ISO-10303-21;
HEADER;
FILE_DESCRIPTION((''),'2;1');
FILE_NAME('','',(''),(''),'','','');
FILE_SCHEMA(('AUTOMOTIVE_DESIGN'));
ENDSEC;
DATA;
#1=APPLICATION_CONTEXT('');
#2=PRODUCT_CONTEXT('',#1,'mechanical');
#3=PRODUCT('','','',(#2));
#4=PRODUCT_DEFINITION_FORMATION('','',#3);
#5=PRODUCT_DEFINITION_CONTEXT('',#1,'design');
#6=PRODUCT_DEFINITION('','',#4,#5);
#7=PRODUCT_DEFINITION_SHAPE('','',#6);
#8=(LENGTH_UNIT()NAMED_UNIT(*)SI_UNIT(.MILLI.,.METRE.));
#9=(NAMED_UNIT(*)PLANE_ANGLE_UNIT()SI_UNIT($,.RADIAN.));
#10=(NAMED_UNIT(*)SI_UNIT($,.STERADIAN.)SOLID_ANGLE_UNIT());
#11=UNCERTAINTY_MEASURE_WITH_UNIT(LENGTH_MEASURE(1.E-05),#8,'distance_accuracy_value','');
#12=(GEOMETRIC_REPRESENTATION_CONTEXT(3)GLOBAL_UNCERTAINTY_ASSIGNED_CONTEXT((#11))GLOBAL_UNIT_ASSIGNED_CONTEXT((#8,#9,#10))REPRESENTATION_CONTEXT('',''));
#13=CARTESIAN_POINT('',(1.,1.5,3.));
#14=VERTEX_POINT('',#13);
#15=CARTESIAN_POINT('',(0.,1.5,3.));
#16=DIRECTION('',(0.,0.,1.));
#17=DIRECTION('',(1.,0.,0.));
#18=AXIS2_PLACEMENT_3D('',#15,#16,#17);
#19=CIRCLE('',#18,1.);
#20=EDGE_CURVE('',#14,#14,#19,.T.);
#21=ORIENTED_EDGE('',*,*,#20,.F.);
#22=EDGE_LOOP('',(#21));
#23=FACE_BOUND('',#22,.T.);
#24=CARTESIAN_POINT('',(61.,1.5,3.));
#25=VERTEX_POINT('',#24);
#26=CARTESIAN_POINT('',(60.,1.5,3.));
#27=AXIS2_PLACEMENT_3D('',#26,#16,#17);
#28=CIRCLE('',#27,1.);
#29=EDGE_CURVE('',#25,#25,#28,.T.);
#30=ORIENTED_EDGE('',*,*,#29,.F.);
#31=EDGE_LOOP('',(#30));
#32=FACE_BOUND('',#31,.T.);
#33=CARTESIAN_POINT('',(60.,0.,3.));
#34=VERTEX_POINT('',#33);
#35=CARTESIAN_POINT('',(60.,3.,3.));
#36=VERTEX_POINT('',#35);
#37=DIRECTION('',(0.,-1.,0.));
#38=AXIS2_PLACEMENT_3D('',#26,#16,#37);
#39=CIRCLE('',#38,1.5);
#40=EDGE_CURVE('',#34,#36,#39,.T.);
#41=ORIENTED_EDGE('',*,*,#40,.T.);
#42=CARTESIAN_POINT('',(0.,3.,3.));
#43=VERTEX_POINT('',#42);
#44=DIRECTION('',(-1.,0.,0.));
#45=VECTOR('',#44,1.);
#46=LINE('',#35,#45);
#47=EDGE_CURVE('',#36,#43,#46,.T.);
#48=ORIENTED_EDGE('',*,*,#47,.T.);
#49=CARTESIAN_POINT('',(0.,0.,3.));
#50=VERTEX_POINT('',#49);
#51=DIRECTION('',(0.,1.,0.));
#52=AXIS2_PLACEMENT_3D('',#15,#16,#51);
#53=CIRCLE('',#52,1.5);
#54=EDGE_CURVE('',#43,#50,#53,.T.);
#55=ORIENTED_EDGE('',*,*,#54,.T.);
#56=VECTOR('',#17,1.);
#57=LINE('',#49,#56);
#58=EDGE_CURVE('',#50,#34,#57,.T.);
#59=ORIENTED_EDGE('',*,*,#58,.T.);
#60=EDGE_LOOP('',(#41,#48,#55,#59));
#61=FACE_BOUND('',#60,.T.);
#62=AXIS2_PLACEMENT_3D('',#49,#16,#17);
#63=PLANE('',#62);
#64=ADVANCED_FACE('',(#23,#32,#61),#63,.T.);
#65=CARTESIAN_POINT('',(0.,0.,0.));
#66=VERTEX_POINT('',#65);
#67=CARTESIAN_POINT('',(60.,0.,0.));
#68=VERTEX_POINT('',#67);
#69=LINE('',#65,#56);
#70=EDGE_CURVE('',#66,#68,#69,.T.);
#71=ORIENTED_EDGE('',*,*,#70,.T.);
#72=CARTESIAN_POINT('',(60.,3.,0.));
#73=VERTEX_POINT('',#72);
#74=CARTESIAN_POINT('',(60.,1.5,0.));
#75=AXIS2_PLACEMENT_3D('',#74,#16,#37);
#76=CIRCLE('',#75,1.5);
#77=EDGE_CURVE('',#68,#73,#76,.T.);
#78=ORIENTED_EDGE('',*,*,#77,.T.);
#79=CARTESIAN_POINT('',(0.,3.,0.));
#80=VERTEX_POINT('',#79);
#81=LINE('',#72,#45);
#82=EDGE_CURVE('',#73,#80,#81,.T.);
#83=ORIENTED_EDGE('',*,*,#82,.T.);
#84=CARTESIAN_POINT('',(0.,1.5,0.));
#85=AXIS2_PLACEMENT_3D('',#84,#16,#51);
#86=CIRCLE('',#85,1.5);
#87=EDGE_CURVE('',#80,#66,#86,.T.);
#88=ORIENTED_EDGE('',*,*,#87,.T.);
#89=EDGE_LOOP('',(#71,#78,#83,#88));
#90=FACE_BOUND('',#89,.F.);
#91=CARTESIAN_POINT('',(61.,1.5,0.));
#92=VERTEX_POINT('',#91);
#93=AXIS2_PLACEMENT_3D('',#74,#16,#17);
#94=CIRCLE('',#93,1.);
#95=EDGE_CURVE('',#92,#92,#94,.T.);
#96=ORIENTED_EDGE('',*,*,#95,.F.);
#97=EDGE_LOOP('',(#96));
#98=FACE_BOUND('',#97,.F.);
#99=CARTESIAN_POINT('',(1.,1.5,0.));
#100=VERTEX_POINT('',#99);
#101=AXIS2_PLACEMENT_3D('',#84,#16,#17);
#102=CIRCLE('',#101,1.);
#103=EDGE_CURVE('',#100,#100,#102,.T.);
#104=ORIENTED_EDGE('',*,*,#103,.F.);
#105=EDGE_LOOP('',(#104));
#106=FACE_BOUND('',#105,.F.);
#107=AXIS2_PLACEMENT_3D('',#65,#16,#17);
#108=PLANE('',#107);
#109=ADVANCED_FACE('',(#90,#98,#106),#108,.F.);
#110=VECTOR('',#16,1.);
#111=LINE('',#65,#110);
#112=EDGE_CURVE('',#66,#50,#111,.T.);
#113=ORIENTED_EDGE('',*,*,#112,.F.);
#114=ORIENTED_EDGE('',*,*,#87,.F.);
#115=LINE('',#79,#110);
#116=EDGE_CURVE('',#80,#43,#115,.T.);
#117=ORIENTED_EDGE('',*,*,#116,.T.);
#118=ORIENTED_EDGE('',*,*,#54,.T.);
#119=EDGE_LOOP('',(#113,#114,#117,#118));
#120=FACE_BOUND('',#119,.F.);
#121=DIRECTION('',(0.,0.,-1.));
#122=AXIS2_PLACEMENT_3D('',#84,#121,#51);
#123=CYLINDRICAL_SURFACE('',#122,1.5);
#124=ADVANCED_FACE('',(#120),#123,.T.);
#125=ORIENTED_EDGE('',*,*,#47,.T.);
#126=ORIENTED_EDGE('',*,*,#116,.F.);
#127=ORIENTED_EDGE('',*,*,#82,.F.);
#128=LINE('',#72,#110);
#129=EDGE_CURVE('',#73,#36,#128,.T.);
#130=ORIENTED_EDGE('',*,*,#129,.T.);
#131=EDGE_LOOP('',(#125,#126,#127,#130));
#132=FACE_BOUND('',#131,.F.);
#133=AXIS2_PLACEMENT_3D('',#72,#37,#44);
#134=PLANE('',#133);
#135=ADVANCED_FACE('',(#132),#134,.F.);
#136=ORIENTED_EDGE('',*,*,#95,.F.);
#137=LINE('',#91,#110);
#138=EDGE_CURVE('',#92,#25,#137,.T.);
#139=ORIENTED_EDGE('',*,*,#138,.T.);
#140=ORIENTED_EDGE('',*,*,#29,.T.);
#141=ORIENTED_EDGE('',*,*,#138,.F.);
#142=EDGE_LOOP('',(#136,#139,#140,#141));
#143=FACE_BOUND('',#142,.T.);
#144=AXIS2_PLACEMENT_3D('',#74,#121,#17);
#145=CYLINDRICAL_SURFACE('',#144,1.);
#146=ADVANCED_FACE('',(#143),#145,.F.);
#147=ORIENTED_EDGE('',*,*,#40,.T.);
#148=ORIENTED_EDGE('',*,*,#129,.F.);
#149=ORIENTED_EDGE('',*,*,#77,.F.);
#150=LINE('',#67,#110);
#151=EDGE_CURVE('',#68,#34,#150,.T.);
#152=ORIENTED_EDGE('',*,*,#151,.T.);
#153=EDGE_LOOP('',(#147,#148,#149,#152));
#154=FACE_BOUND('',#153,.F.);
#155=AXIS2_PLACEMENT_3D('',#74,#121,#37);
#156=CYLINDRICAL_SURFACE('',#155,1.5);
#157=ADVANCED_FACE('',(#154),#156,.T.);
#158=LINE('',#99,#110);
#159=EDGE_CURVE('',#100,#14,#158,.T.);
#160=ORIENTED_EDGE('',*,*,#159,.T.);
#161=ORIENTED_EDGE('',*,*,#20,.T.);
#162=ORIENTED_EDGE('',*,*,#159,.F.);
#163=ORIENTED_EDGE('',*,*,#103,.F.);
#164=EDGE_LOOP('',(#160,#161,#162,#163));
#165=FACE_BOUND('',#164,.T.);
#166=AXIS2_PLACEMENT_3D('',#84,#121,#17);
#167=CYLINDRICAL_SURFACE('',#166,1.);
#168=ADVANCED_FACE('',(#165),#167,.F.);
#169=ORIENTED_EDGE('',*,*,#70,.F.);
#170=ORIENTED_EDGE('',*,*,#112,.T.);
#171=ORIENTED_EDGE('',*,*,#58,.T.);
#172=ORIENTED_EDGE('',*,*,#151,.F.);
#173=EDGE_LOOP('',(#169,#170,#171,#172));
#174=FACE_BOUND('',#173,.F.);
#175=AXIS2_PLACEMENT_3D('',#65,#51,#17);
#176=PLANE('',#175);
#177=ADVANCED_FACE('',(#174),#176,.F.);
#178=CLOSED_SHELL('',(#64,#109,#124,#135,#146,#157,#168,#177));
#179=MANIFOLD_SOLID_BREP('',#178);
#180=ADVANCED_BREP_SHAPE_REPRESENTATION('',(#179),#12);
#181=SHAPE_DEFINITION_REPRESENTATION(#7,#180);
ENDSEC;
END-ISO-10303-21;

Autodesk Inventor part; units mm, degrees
ref_plane "YZ Plane" through (0, 0, 0) normal (1, 0, 0) x (0, 1, 0)
ref_plane "XZ Plane" through (0, 0, 0) normal (0, 1, 0) x (-1, 0, 0)
ref_plane "XY Plane" through (0, 0, 0) normal (0, 0, 1) x (1, 0, 0)
sketch "Sketch1" plane through (0, 0, 0) normal (0, 0, 1) x (1, 0, 0)
  line L0 (0, 0) -> (60, 0)
  line L1 (60, 3) -> (0, 3)
  arc A0 (0, 3) -> (0, 0) centre (0, 1.5) ccw
  arc A1 (60, 0) -> (60, 3) centre (60, 1.5) ccw
  circle A2 centre (0, 1.5) radius 1
  circle A3 centre (60, 1.5) radius 1
  dimension "d0" = 2
  dimension "d1" = 2
  dimension "d3" = 60
extrude "Extrusion1" add sketch "Sketch1" along normal blind 3
properties part number "L2"
